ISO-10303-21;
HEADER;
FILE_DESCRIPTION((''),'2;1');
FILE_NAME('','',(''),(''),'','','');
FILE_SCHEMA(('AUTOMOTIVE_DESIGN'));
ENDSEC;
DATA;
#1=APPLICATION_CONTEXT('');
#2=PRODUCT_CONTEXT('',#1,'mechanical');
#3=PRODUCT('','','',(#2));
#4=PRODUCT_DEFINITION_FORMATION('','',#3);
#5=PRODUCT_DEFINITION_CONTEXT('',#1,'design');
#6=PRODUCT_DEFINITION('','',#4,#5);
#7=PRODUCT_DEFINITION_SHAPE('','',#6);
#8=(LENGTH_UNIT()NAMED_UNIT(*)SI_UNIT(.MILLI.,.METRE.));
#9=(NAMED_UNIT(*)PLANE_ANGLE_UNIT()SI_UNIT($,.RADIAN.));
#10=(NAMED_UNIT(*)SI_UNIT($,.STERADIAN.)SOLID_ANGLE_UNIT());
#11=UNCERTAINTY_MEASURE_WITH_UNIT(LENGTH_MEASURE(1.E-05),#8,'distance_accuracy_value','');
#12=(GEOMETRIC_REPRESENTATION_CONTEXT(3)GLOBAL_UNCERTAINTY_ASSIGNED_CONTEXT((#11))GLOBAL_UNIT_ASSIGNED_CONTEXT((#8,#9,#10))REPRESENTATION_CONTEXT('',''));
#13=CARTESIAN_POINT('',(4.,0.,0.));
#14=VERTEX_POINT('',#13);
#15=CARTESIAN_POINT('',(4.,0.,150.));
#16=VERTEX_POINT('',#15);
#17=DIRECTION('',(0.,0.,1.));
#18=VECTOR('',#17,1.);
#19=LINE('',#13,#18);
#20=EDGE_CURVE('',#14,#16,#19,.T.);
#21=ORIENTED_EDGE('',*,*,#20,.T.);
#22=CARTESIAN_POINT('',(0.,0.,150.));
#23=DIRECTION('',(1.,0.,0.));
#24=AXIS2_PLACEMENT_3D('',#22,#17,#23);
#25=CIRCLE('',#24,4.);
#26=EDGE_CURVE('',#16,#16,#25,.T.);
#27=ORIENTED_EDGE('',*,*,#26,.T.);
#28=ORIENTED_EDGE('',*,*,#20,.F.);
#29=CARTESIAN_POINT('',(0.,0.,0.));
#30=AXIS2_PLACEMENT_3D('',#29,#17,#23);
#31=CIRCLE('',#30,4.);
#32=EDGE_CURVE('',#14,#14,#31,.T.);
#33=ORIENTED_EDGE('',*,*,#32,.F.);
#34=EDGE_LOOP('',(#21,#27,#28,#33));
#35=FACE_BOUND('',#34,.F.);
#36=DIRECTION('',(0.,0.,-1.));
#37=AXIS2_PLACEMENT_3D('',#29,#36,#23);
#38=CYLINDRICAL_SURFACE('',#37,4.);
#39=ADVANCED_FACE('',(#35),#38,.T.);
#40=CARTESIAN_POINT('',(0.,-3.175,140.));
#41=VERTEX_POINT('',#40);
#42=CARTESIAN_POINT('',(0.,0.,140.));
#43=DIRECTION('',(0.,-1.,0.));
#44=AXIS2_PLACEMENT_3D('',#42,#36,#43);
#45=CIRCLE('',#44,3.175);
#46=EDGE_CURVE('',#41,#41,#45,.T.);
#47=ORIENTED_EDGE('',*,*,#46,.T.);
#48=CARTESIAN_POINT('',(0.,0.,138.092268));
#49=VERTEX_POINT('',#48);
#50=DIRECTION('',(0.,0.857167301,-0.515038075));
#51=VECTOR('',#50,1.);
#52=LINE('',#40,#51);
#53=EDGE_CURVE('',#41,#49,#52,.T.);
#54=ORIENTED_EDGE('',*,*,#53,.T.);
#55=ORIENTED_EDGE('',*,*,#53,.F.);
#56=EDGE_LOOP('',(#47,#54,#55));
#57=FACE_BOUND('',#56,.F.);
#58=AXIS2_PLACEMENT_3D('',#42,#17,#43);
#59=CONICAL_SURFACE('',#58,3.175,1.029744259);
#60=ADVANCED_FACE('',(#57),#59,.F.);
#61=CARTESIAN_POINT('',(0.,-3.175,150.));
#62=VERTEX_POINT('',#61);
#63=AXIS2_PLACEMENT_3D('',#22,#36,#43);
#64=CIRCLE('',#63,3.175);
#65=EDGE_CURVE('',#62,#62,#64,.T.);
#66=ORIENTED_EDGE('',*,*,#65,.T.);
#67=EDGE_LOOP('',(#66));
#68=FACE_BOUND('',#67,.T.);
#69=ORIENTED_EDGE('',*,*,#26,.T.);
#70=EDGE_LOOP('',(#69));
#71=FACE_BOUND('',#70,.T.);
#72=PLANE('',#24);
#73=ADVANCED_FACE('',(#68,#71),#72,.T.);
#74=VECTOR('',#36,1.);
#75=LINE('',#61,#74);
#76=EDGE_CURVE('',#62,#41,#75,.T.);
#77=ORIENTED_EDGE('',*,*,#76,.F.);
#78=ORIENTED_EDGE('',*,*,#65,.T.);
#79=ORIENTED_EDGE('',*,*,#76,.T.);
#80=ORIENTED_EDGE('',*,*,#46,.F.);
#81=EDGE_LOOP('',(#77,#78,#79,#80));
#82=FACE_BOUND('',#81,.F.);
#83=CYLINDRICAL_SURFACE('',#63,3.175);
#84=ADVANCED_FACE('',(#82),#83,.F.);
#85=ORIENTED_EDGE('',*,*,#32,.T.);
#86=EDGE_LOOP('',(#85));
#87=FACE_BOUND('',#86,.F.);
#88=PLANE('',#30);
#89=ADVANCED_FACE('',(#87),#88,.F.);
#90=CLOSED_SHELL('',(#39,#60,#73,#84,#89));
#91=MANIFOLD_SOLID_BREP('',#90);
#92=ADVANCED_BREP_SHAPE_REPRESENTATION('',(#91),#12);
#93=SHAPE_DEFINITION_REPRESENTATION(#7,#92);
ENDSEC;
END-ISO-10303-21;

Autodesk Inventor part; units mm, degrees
ref_plane "YZ Plane" through (0, 0, 0) normal (1, 0, 0) x (0, 1, 0)
ref_plane "XZ Plane" through (0, 0, 0) normal (0, 1, 0) x (-1, 0, 0)
ref_plane "XY Plane" through (0, 0, 0) normal (0, 0, 1) x (1, 0, 0)
sketch "Sketch1" plane through (0, 0, 0) normal (0, 0, 1) x (1, 0, 0)
  circle A0 centre (0, 0) radius 4
  dimension "d0" = 8
extrude "Extrusion1" add sketch "Sketch1" along normal blind 150
sketch "Sketch2" plane through (0, 0, 150) normal (0, 0, 1) x (1, 0, 0)
  point P0 (0, 0)
  point P1 (1.4516, 1.7573)
hole "Hole1" at (0, 0, 150) direction (0, 0, -1) diameter 6.35 depth 10 tip angle 118
thread "Thread1" size "1/4" designation "1/4 - 18 NPT" standard "NPT" length 15.103
properties part number "barra_Aluminio_8mm" material "Aluminum 6061"
